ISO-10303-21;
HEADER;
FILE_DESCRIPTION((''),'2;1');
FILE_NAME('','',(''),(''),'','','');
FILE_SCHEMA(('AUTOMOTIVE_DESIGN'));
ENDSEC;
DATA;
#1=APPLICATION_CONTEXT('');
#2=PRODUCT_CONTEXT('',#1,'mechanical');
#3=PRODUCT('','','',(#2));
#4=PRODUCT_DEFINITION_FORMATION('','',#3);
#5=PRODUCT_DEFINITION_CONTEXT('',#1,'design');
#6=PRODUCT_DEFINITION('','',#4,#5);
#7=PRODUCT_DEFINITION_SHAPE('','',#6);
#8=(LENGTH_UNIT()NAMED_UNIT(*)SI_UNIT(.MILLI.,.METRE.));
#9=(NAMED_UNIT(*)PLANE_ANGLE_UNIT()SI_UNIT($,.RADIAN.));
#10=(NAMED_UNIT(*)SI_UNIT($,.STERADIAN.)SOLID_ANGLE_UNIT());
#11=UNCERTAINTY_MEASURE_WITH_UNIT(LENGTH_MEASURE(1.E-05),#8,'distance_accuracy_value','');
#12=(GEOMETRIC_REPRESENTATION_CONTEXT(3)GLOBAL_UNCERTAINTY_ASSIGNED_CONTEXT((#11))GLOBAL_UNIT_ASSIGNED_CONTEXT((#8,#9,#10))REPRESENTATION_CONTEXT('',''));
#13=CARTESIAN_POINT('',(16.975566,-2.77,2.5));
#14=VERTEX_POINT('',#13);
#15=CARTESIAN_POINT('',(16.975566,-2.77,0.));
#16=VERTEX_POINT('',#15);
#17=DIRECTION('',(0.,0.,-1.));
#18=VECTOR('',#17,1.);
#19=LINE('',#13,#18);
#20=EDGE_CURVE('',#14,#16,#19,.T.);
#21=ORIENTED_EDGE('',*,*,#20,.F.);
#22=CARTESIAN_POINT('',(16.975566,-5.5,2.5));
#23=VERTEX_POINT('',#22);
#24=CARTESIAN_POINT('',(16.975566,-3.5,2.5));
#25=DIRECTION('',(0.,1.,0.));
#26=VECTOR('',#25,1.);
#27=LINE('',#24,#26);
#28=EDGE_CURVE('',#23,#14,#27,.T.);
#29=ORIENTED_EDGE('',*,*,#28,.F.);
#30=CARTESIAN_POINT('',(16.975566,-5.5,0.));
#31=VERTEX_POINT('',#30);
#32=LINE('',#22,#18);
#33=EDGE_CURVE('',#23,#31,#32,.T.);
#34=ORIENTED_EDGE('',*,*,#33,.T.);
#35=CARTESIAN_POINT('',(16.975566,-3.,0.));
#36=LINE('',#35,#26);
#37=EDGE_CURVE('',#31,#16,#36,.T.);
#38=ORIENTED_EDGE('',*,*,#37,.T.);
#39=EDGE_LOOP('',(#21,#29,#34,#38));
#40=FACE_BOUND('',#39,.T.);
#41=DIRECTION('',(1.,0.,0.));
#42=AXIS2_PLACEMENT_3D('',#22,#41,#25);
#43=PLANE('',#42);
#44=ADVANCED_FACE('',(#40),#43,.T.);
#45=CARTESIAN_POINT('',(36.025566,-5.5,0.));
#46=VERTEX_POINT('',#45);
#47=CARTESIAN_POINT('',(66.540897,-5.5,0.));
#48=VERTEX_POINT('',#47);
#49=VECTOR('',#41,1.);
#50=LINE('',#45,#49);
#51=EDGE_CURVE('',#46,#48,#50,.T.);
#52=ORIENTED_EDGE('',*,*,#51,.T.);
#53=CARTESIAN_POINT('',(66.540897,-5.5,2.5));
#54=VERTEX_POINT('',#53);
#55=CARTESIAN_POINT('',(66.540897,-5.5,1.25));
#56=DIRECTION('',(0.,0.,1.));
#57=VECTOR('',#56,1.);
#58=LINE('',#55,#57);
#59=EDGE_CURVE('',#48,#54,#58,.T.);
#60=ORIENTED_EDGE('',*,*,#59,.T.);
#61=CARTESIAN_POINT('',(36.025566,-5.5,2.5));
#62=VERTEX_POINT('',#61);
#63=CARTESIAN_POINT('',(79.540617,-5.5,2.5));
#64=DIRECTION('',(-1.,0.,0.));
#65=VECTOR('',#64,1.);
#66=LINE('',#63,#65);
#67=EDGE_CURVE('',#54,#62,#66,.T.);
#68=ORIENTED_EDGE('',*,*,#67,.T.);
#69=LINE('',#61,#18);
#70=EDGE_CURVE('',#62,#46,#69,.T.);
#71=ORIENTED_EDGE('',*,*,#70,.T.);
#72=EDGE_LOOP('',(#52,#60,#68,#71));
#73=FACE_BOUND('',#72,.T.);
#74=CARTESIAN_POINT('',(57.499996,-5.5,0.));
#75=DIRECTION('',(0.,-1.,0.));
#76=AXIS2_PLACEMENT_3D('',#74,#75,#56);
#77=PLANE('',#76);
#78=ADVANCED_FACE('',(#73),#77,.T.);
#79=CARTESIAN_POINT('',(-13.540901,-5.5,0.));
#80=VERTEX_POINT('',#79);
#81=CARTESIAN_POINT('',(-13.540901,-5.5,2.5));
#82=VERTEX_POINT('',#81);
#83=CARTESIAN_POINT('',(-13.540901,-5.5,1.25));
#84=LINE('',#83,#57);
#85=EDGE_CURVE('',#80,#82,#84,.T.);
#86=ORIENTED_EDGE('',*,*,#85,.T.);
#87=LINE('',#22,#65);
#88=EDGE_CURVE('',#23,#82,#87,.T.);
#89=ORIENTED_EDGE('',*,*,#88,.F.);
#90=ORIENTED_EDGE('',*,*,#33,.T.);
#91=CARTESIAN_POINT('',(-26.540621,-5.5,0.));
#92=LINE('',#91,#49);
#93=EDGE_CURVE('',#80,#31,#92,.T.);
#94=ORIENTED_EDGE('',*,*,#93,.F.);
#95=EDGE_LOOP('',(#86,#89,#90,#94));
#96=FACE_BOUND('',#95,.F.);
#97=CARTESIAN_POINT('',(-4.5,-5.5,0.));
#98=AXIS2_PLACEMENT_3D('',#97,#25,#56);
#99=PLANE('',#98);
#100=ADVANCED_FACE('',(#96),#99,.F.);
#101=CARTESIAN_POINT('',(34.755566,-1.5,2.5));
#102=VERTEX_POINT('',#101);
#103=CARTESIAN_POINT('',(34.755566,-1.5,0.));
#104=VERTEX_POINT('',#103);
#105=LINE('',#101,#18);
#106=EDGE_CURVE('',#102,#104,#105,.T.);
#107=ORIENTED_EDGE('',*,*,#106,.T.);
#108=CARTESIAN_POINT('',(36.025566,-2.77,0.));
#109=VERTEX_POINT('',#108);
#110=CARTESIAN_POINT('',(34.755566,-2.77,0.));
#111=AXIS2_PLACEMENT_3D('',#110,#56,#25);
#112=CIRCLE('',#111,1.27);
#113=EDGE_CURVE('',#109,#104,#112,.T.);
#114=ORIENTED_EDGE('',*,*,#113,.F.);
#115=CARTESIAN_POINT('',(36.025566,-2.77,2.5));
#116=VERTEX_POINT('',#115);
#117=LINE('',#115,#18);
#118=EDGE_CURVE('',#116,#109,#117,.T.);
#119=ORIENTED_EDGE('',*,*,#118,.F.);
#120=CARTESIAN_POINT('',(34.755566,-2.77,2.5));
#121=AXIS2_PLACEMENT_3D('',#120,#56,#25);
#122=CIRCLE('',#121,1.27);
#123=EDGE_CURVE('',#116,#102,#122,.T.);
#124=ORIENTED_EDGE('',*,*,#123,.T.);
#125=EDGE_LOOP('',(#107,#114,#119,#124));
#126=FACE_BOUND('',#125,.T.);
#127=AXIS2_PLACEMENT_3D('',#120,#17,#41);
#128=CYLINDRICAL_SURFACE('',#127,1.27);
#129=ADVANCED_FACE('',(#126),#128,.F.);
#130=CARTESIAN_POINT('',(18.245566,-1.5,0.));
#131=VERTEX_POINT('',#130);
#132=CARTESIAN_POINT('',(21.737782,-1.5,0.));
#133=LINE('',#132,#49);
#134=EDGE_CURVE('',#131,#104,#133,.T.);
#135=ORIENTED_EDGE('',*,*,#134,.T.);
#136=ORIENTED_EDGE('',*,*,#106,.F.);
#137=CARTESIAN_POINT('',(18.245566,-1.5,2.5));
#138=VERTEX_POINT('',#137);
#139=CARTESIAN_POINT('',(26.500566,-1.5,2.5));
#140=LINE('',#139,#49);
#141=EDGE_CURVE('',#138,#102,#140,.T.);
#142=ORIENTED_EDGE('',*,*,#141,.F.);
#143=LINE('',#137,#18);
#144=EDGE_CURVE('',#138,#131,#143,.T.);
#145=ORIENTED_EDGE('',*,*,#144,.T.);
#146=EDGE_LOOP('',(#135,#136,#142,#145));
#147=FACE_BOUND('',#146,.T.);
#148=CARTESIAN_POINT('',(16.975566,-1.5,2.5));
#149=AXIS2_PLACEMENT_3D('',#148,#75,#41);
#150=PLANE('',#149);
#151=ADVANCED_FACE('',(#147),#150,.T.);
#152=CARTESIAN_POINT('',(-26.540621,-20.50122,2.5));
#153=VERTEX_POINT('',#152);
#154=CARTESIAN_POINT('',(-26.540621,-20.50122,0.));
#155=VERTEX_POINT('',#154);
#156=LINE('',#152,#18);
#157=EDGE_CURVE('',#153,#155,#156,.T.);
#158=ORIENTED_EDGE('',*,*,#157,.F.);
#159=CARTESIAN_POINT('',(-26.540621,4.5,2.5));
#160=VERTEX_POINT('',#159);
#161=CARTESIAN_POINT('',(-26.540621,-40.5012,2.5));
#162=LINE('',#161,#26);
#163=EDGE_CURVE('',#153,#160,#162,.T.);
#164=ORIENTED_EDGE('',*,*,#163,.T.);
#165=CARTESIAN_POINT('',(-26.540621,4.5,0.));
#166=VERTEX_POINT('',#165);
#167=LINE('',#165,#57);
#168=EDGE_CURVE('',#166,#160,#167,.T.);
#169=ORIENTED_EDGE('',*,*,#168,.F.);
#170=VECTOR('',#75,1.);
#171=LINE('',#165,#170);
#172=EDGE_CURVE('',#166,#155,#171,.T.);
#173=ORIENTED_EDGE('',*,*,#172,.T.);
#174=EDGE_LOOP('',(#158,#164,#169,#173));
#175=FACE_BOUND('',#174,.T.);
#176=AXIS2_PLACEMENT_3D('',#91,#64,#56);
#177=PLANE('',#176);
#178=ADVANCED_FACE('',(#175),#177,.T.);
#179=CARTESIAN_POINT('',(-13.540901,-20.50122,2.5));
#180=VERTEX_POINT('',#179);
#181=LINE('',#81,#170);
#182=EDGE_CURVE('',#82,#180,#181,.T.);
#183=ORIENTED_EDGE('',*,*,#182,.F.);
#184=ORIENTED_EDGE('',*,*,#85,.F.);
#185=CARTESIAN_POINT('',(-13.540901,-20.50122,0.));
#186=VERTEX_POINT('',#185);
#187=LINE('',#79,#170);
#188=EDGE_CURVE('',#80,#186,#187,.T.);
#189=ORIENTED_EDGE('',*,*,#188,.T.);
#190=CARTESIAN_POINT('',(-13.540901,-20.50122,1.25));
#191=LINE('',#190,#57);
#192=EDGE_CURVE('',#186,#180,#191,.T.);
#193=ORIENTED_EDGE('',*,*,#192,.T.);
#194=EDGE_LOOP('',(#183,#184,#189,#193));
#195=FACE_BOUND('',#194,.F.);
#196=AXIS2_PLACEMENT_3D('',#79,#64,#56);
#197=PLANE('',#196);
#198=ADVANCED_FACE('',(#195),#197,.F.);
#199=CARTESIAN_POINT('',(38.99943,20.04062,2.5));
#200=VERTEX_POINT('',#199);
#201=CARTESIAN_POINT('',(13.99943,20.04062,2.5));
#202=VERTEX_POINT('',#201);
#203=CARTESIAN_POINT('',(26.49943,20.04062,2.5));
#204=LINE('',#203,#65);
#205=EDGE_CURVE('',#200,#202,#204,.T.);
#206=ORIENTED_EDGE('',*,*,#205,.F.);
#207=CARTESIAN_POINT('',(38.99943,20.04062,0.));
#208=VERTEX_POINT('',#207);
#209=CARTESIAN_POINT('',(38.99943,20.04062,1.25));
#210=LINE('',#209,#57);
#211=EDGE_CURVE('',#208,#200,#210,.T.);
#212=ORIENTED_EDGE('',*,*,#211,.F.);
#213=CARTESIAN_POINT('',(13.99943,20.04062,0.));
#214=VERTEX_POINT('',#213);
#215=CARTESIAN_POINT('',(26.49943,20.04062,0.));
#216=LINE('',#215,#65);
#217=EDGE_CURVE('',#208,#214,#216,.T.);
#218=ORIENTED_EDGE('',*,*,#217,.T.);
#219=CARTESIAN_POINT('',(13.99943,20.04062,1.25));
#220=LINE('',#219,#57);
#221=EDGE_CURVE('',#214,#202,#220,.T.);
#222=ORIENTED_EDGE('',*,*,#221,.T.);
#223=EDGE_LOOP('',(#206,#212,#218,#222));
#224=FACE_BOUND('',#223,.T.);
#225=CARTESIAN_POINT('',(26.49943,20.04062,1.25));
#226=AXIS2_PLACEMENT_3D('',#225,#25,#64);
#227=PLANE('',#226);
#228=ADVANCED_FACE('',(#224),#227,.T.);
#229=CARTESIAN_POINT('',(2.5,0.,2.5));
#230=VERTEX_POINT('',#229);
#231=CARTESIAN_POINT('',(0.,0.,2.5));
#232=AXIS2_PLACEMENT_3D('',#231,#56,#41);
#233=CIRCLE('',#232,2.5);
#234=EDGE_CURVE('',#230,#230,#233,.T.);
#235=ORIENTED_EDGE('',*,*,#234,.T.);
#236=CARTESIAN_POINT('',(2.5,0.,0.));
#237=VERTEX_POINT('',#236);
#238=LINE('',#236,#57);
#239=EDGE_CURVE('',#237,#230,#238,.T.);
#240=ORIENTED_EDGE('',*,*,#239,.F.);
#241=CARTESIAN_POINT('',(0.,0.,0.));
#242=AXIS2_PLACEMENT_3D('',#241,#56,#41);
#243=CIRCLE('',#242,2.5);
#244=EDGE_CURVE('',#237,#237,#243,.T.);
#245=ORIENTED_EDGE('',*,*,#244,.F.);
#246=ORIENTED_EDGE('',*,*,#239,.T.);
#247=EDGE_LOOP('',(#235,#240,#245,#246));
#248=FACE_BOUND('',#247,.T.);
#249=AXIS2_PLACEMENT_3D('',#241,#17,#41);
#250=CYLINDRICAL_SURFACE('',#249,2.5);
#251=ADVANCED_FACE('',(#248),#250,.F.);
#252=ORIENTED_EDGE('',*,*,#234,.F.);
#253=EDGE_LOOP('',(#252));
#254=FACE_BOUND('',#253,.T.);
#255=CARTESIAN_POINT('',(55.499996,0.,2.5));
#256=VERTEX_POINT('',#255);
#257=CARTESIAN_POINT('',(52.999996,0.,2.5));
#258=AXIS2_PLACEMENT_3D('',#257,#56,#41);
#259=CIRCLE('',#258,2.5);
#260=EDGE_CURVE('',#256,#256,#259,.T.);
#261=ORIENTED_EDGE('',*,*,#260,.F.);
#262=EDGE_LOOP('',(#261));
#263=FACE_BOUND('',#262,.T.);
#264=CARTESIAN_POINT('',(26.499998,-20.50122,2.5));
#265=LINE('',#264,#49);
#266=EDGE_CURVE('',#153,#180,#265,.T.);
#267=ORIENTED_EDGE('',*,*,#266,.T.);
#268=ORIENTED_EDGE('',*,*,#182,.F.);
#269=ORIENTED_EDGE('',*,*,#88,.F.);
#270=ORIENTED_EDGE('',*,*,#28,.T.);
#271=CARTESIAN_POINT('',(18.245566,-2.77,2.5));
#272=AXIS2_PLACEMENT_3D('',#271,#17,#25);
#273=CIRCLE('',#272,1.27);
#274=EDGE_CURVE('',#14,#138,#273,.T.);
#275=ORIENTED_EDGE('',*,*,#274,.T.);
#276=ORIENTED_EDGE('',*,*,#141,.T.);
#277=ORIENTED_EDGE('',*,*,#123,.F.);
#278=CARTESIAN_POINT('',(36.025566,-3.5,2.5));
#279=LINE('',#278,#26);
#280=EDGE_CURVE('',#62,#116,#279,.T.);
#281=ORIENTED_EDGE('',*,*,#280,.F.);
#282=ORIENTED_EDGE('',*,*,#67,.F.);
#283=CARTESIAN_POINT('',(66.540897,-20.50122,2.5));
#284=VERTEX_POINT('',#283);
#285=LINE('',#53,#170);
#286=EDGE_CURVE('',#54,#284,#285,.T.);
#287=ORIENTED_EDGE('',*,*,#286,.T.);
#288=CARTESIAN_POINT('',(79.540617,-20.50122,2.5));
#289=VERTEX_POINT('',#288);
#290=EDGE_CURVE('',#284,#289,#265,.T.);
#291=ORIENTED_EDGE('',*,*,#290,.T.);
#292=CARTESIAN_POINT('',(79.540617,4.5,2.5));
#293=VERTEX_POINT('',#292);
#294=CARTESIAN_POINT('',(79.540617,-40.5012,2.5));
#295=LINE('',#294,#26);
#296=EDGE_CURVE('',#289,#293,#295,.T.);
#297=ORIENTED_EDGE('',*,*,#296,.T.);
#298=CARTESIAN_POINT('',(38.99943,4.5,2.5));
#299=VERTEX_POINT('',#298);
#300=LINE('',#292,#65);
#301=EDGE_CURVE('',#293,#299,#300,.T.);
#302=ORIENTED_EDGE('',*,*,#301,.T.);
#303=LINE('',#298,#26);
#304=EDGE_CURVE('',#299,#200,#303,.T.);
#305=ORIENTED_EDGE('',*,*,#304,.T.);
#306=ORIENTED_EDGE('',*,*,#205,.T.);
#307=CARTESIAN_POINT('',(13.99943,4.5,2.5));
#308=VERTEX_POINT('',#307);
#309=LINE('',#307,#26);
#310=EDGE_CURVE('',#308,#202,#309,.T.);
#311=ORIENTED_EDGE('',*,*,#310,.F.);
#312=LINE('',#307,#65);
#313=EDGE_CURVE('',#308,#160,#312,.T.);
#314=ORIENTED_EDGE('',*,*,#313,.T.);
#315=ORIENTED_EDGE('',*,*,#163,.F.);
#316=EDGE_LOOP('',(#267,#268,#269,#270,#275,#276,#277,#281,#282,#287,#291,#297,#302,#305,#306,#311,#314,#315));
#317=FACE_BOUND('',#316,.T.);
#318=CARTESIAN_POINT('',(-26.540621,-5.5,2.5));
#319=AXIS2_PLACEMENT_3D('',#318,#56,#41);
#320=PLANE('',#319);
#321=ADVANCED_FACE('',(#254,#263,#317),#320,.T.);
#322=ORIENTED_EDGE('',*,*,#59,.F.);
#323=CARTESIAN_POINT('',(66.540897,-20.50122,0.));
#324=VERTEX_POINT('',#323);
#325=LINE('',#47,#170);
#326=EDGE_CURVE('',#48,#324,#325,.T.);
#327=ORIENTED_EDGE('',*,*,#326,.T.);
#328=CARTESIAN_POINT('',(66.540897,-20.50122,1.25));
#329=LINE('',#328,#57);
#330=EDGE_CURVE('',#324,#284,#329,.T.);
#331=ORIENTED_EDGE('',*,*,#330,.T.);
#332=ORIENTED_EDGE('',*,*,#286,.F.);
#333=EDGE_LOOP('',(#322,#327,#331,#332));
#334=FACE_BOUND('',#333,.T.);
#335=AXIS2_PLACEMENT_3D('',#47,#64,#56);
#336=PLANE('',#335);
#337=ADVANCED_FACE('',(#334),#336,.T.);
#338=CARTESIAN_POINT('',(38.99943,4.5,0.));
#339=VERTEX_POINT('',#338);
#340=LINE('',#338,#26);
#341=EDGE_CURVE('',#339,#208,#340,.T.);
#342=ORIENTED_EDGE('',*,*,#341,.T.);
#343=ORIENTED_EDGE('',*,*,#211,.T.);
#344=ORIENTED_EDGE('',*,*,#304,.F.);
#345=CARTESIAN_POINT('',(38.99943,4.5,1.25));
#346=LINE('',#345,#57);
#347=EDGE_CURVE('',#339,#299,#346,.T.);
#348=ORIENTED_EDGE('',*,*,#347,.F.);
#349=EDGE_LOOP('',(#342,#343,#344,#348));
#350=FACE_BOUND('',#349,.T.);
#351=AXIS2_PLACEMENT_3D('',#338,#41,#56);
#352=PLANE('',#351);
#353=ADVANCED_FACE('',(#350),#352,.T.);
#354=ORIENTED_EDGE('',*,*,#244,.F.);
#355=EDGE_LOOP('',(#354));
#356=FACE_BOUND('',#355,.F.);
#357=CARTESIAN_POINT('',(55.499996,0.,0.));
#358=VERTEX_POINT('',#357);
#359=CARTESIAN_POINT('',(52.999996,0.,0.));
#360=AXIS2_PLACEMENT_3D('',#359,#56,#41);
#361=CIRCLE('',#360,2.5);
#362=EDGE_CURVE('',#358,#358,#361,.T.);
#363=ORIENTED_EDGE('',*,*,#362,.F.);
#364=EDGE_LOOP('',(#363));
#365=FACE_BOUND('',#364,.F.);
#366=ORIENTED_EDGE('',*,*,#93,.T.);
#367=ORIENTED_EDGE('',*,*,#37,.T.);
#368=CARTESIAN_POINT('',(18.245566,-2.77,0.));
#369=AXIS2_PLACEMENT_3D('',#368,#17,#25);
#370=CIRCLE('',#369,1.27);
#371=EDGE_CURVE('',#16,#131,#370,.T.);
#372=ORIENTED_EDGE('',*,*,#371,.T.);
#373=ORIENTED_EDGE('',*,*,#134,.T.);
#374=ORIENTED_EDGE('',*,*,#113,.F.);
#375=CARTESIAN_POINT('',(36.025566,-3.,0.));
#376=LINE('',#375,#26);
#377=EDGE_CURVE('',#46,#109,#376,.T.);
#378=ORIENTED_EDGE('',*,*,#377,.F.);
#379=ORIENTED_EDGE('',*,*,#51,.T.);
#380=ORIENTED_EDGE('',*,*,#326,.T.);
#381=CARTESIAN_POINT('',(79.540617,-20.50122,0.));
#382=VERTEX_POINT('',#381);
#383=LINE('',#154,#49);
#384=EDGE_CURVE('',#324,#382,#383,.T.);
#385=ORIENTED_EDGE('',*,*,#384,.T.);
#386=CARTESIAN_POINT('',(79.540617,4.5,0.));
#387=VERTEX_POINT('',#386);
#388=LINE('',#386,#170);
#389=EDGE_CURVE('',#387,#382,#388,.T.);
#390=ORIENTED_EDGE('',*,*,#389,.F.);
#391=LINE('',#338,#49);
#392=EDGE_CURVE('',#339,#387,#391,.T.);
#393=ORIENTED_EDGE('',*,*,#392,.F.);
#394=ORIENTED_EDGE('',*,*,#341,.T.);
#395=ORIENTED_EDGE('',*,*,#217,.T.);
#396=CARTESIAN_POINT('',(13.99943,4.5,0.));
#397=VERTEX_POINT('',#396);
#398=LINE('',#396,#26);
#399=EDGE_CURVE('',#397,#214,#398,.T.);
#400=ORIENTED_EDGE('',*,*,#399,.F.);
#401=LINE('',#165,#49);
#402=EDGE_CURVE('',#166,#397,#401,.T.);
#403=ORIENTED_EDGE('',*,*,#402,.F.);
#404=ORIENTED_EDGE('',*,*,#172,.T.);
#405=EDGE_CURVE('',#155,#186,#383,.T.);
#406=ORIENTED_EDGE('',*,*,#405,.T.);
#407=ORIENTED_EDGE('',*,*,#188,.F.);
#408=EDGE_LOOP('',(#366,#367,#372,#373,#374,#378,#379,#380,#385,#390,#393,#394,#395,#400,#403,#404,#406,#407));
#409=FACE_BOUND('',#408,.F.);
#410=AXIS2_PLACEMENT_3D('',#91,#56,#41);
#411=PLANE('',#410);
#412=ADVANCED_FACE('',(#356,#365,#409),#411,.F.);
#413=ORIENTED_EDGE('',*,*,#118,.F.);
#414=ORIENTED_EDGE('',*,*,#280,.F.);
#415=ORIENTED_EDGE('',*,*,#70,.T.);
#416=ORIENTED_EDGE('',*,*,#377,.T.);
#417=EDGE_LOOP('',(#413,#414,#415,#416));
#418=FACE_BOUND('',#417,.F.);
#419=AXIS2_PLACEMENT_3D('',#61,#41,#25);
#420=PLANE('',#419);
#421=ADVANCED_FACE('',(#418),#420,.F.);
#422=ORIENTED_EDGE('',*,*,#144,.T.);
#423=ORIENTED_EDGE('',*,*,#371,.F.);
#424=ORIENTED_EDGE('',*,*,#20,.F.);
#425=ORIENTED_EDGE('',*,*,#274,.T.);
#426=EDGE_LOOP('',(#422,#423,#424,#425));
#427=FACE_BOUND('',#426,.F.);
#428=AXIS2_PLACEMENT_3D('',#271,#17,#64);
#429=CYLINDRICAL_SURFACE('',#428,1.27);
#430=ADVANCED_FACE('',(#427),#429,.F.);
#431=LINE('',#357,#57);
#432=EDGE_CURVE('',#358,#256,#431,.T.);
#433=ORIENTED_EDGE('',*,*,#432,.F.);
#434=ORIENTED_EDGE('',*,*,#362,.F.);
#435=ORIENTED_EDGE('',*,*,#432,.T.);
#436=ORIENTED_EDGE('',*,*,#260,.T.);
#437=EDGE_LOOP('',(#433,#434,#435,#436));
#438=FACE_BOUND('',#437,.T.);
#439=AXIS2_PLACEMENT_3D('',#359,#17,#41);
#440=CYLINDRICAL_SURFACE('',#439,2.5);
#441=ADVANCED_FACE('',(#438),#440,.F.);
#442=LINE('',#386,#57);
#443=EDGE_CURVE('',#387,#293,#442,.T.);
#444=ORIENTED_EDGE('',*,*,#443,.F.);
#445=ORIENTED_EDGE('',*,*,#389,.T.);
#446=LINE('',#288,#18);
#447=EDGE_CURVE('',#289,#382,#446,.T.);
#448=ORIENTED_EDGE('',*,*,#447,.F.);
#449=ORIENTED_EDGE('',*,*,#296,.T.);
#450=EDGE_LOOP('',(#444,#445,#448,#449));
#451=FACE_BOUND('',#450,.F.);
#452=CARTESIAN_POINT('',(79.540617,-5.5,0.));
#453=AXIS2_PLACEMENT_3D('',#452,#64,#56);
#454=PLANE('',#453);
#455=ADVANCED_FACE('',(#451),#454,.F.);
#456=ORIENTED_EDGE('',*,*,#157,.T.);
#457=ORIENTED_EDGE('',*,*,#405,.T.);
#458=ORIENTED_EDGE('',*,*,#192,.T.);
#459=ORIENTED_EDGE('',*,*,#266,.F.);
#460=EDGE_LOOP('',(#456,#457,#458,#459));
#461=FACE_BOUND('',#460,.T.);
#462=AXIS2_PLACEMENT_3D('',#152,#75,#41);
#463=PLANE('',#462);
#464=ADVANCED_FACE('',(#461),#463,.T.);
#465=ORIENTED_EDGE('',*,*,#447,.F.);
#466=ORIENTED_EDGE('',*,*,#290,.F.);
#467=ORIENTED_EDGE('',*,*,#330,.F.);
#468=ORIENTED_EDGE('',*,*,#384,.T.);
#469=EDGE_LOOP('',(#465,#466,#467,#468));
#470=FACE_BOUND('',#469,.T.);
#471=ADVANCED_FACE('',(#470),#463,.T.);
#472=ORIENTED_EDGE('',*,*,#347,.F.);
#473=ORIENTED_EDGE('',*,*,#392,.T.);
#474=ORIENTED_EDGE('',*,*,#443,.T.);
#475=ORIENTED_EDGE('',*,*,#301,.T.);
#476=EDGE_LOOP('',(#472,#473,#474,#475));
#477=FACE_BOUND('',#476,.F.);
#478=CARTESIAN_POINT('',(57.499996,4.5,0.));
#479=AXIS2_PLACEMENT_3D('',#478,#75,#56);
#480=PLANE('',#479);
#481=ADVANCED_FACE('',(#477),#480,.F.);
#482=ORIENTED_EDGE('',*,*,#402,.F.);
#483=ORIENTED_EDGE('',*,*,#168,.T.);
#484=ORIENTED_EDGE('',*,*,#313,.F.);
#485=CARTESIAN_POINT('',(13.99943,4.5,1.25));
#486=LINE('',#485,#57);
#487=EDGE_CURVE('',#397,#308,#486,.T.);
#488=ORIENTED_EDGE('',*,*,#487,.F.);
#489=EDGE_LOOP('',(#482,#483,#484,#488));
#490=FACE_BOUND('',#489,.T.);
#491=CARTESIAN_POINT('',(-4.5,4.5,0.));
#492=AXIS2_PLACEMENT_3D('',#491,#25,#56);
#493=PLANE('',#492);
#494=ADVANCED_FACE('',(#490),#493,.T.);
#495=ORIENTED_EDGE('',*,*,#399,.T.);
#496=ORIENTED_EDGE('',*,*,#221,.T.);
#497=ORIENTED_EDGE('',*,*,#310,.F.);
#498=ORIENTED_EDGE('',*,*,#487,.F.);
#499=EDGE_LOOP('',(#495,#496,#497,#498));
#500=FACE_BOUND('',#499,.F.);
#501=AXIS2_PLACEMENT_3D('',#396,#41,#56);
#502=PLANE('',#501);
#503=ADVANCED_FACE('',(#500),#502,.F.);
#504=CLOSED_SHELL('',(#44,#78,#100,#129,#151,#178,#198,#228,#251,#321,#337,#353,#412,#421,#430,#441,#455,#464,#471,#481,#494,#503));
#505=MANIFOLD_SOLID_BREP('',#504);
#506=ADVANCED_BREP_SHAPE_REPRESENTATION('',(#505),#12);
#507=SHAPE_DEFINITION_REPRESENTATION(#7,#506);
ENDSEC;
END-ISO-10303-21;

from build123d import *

# Parameters (mm, degrees)
F0_W      = 61.9999956
F0_H      = 10
F0_R      = 2.5
F1_DEPTH  = 2.5
F2_W      = 19.05
F2_H      = 4
F3_DEPTH  = 25.4
F4_R      = 1.27
F5_W      = 25
F5_H      = 2.5
F6_DEPTH  = 15.5406199982
F7_DEPTH  = 22.0406214
F8_W      = 12.99972
F8_H      = 2.5
F9_DEPTH  = 35.0012
F11_DEPTH = 22.0406214
F12_W     = 12.99972
F12_H     = 2.5
F13_DEPTH = 35.0012
F15_W     = 106.0812384
F15_H     = 37.9534307867
F16_DEPTH = 2.501


with BuildPart() as f1:
    # F0 (on Top) → F1 (new body)
    with BuildSketch(Plane.XY):
        with Locations((26.4999978, -0.5)):
            Rectangle(F0_W, F0_H)
        Circle(F0_R, mode=Mode.SUBTRACT)
        with Locations((52.9999956, 0)):
            Circle(F0_R, mode=Mode.SUBTRACT)
    extrude(amount=F1_DEPTH)

    # F2 (on face) → F3 (cut)
    with BuildSketch(Plane.XY.offset(2.5)):
        with Locations((26.5005656, -3.5)):
            Rectangle(F2_W, F2_H)
    extrude(amount=-F3_DEPTH, mode=Mode.SUBTRACT)

    # F4
    f4_edges = [f1.edges().sort_by_distance(p)[0] for p in [
        (36.025566, -1.5, 1.25),
        (16.975566, -1.5, 1.25),
    ]]
    fillet(f4_edges, radius=F4_R)

    # F5 (on face) → F6 (join)
    with BuildSketch(Plane(origin=(0, 4.5, 0), x_dir=(-1, 0, 0), z_dir=(0, 1, 0))):
        with Locations((-26.49943, 1.25)):
            Rectangle(F5_W, F5_H)
    extrude(amount=F6_DEPTH)

    # F7 (add): a face of the model
    f7_faces = [f1.faces().sort_by_distance(p)[0] for p in [
        (57.4999956, -0.5, 1.25),
    ]]
    extrude(f7_faces, amount=F7_DEPTH)

    # F8 (on face) → F9 (join)
    with BuildSketch(Plane.XZ.offset(5.5)):
        with Locations((73.040757, 1.25)):
            Rectangle(F8_W, F8_H)
    extrude(amount=F9_DEPTH)

    # F11 (add): a face of the model
    f11_faces = [f1.faces().sort_by_distance(p)[0] for p in [
        (-4.5, -0.5, 1.25),
    ]]
    extrude(f11_faces, amount=F11_DEPTH)

    # F12 (on face) → F13 (join)
    with BuildSketch(Plane.XZ.offset(5.5)):
        with Locations((-20.0407614, 1.25)):
            Rectangle(F12_W, F12_H)
    extrude(amount=F13_DEPTH)

    # F15 (on face) → F16 (cut, through all)
    with BuildSketch(Plane.XY.offset(2.5)):
        with Locations((26.4999978, -39.4779353934)):
            Rectangle(F15_W, F15_H)
    extrude(amount=-F16_DEPTH, mode=Mode.SUBTRACT)


solid = f1.part
